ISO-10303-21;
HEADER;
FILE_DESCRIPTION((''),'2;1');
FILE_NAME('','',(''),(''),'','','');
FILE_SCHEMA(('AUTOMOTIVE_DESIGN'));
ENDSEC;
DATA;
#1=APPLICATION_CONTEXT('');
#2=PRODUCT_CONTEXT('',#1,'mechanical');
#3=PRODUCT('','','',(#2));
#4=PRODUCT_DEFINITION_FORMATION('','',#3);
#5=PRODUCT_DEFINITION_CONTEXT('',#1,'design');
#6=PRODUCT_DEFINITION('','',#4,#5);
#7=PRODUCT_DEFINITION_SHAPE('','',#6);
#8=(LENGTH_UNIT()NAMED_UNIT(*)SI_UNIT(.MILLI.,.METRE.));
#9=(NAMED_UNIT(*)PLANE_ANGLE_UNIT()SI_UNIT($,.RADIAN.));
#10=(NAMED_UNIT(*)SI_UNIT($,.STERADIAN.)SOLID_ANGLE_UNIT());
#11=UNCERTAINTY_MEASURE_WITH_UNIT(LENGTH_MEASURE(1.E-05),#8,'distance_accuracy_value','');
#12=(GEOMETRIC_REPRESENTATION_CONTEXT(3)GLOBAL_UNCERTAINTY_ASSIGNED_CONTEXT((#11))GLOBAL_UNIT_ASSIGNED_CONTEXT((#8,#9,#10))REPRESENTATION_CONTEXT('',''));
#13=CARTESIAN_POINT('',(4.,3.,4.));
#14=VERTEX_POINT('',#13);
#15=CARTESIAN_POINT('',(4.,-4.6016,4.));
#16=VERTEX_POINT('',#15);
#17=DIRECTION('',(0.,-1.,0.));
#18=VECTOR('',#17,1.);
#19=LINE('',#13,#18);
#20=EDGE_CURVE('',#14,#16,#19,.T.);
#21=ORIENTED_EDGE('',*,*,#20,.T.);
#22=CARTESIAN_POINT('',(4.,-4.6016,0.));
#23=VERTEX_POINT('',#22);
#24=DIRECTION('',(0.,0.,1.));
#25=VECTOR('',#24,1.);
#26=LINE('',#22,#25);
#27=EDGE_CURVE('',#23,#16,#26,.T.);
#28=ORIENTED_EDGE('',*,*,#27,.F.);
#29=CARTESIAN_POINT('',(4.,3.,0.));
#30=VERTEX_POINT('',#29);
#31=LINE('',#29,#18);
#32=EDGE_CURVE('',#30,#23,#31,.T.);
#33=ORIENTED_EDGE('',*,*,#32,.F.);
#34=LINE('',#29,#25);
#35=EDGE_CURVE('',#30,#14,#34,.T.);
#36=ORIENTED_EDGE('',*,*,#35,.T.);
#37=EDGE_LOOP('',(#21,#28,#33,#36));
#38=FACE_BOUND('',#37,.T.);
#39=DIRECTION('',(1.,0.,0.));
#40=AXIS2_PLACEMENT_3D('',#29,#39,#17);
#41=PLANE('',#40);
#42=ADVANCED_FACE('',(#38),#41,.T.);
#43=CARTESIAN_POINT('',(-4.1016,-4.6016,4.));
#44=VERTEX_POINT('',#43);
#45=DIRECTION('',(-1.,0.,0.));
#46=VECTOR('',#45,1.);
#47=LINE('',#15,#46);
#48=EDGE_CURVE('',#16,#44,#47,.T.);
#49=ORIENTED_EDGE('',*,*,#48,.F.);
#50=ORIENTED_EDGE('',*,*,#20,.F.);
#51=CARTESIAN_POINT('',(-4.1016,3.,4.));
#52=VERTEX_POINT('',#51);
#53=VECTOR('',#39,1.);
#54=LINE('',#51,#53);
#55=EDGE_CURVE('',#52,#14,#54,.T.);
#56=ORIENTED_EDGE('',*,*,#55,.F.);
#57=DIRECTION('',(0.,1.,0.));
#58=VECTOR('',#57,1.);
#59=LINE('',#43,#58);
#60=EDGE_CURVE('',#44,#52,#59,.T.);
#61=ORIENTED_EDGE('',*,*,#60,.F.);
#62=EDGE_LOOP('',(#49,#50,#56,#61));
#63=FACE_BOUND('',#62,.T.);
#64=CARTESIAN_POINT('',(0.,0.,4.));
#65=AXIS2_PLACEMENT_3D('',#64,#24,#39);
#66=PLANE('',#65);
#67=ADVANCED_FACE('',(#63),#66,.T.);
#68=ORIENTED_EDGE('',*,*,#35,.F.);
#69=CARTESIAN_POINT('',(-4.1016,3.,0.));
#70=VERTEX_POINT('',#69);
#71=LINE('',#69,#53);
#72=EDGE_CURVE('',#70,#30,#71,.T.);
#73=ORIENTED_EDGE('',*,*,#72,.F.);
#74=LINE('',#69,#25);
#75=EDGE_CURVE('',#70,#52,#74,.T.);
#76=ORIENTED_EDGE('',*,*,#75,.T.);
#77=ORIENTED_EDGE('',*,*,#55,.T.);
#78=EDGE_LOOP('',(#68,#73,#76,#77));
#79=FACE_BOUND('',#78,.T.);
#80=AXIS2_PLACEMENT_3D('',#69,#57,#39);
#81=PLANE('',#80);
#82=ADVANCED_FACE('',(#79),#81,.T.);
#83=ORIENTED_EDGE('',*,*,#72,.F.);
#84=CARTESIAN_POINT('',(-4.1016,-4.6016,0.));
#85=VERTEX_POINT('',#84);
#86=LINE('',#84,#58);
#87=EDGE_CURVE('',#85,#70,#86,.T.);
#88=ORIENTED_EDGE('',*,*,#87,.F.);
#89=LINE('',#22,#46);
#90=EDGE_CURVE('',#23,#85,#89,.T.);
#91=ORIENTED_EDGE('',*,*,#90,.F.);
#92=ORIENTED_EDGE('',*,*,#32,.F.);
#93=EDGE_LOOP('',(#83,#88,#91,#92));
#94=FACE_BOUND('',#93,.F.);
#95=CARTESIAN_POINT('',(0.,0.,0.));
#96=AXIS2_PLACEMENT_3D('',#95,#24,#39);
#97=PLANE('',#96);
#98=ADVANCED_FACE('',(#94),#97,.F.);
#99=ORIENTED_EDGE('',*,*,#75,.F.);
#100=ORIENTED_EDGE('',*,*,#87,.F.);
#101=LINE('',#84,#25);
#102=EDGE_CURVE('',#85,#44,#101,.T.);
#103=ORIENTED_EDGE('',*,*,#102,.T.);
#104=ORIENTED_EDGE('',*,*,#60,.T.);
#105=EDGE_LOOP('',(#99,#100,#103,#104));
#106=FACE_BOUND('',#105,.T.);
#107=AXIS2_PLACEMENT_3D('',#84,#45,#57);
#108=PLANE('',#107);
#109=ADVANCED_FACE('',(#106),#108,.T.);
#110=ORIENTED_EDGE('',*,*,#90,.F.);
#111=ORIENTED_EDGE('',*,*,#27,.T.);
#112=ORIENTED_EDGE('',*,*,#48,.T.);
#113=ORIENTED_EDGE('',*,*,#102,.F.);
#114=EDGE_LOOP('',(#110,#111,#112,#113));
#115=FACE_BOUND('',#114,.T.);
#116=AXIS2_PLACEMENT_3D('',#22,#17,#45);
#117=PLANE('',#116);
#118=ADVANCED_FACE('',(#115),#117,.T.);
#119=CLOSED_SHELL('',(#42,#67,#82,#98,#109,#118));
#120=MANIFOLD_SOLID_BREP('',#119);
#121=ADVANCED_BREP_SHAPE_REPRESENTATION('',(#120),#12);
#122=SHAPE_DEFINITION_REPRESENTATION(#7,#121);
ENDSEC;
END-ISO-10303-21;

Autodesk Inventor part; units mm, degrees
ref_plane "YZ Plane" through (0, 0, 0) normal (1, 0, 0) x (0, 1, 0)
ref_plane "XZ Plane" through (0, 0, 0) normal (0, 1, 0) x (-1, 0, 0)
ref_plane "XY Plane" through (0, 0, 0) normal (0, 0, 1) x (1, 0, 0)
sketch "JST-2-SMD, LIPO_23" plane through (0, 0, 0) normal (0, 0, 1) x (1, 0, 0)
  line L0 (-4.1016, 3) -> (4, 3)
  line L1 (4, 3) -> (4, -4.6016)
  line L2 (4, -4.6016) -> (-4.1016, -4.6016)
  line L3 (-4.1016, -4.6016) -> (-4.1016, 3)
extrude "Extrusion1" add sketch "JST-2-SMD, LIPO_23" along normal blind 4
properties part number "LIPO"
